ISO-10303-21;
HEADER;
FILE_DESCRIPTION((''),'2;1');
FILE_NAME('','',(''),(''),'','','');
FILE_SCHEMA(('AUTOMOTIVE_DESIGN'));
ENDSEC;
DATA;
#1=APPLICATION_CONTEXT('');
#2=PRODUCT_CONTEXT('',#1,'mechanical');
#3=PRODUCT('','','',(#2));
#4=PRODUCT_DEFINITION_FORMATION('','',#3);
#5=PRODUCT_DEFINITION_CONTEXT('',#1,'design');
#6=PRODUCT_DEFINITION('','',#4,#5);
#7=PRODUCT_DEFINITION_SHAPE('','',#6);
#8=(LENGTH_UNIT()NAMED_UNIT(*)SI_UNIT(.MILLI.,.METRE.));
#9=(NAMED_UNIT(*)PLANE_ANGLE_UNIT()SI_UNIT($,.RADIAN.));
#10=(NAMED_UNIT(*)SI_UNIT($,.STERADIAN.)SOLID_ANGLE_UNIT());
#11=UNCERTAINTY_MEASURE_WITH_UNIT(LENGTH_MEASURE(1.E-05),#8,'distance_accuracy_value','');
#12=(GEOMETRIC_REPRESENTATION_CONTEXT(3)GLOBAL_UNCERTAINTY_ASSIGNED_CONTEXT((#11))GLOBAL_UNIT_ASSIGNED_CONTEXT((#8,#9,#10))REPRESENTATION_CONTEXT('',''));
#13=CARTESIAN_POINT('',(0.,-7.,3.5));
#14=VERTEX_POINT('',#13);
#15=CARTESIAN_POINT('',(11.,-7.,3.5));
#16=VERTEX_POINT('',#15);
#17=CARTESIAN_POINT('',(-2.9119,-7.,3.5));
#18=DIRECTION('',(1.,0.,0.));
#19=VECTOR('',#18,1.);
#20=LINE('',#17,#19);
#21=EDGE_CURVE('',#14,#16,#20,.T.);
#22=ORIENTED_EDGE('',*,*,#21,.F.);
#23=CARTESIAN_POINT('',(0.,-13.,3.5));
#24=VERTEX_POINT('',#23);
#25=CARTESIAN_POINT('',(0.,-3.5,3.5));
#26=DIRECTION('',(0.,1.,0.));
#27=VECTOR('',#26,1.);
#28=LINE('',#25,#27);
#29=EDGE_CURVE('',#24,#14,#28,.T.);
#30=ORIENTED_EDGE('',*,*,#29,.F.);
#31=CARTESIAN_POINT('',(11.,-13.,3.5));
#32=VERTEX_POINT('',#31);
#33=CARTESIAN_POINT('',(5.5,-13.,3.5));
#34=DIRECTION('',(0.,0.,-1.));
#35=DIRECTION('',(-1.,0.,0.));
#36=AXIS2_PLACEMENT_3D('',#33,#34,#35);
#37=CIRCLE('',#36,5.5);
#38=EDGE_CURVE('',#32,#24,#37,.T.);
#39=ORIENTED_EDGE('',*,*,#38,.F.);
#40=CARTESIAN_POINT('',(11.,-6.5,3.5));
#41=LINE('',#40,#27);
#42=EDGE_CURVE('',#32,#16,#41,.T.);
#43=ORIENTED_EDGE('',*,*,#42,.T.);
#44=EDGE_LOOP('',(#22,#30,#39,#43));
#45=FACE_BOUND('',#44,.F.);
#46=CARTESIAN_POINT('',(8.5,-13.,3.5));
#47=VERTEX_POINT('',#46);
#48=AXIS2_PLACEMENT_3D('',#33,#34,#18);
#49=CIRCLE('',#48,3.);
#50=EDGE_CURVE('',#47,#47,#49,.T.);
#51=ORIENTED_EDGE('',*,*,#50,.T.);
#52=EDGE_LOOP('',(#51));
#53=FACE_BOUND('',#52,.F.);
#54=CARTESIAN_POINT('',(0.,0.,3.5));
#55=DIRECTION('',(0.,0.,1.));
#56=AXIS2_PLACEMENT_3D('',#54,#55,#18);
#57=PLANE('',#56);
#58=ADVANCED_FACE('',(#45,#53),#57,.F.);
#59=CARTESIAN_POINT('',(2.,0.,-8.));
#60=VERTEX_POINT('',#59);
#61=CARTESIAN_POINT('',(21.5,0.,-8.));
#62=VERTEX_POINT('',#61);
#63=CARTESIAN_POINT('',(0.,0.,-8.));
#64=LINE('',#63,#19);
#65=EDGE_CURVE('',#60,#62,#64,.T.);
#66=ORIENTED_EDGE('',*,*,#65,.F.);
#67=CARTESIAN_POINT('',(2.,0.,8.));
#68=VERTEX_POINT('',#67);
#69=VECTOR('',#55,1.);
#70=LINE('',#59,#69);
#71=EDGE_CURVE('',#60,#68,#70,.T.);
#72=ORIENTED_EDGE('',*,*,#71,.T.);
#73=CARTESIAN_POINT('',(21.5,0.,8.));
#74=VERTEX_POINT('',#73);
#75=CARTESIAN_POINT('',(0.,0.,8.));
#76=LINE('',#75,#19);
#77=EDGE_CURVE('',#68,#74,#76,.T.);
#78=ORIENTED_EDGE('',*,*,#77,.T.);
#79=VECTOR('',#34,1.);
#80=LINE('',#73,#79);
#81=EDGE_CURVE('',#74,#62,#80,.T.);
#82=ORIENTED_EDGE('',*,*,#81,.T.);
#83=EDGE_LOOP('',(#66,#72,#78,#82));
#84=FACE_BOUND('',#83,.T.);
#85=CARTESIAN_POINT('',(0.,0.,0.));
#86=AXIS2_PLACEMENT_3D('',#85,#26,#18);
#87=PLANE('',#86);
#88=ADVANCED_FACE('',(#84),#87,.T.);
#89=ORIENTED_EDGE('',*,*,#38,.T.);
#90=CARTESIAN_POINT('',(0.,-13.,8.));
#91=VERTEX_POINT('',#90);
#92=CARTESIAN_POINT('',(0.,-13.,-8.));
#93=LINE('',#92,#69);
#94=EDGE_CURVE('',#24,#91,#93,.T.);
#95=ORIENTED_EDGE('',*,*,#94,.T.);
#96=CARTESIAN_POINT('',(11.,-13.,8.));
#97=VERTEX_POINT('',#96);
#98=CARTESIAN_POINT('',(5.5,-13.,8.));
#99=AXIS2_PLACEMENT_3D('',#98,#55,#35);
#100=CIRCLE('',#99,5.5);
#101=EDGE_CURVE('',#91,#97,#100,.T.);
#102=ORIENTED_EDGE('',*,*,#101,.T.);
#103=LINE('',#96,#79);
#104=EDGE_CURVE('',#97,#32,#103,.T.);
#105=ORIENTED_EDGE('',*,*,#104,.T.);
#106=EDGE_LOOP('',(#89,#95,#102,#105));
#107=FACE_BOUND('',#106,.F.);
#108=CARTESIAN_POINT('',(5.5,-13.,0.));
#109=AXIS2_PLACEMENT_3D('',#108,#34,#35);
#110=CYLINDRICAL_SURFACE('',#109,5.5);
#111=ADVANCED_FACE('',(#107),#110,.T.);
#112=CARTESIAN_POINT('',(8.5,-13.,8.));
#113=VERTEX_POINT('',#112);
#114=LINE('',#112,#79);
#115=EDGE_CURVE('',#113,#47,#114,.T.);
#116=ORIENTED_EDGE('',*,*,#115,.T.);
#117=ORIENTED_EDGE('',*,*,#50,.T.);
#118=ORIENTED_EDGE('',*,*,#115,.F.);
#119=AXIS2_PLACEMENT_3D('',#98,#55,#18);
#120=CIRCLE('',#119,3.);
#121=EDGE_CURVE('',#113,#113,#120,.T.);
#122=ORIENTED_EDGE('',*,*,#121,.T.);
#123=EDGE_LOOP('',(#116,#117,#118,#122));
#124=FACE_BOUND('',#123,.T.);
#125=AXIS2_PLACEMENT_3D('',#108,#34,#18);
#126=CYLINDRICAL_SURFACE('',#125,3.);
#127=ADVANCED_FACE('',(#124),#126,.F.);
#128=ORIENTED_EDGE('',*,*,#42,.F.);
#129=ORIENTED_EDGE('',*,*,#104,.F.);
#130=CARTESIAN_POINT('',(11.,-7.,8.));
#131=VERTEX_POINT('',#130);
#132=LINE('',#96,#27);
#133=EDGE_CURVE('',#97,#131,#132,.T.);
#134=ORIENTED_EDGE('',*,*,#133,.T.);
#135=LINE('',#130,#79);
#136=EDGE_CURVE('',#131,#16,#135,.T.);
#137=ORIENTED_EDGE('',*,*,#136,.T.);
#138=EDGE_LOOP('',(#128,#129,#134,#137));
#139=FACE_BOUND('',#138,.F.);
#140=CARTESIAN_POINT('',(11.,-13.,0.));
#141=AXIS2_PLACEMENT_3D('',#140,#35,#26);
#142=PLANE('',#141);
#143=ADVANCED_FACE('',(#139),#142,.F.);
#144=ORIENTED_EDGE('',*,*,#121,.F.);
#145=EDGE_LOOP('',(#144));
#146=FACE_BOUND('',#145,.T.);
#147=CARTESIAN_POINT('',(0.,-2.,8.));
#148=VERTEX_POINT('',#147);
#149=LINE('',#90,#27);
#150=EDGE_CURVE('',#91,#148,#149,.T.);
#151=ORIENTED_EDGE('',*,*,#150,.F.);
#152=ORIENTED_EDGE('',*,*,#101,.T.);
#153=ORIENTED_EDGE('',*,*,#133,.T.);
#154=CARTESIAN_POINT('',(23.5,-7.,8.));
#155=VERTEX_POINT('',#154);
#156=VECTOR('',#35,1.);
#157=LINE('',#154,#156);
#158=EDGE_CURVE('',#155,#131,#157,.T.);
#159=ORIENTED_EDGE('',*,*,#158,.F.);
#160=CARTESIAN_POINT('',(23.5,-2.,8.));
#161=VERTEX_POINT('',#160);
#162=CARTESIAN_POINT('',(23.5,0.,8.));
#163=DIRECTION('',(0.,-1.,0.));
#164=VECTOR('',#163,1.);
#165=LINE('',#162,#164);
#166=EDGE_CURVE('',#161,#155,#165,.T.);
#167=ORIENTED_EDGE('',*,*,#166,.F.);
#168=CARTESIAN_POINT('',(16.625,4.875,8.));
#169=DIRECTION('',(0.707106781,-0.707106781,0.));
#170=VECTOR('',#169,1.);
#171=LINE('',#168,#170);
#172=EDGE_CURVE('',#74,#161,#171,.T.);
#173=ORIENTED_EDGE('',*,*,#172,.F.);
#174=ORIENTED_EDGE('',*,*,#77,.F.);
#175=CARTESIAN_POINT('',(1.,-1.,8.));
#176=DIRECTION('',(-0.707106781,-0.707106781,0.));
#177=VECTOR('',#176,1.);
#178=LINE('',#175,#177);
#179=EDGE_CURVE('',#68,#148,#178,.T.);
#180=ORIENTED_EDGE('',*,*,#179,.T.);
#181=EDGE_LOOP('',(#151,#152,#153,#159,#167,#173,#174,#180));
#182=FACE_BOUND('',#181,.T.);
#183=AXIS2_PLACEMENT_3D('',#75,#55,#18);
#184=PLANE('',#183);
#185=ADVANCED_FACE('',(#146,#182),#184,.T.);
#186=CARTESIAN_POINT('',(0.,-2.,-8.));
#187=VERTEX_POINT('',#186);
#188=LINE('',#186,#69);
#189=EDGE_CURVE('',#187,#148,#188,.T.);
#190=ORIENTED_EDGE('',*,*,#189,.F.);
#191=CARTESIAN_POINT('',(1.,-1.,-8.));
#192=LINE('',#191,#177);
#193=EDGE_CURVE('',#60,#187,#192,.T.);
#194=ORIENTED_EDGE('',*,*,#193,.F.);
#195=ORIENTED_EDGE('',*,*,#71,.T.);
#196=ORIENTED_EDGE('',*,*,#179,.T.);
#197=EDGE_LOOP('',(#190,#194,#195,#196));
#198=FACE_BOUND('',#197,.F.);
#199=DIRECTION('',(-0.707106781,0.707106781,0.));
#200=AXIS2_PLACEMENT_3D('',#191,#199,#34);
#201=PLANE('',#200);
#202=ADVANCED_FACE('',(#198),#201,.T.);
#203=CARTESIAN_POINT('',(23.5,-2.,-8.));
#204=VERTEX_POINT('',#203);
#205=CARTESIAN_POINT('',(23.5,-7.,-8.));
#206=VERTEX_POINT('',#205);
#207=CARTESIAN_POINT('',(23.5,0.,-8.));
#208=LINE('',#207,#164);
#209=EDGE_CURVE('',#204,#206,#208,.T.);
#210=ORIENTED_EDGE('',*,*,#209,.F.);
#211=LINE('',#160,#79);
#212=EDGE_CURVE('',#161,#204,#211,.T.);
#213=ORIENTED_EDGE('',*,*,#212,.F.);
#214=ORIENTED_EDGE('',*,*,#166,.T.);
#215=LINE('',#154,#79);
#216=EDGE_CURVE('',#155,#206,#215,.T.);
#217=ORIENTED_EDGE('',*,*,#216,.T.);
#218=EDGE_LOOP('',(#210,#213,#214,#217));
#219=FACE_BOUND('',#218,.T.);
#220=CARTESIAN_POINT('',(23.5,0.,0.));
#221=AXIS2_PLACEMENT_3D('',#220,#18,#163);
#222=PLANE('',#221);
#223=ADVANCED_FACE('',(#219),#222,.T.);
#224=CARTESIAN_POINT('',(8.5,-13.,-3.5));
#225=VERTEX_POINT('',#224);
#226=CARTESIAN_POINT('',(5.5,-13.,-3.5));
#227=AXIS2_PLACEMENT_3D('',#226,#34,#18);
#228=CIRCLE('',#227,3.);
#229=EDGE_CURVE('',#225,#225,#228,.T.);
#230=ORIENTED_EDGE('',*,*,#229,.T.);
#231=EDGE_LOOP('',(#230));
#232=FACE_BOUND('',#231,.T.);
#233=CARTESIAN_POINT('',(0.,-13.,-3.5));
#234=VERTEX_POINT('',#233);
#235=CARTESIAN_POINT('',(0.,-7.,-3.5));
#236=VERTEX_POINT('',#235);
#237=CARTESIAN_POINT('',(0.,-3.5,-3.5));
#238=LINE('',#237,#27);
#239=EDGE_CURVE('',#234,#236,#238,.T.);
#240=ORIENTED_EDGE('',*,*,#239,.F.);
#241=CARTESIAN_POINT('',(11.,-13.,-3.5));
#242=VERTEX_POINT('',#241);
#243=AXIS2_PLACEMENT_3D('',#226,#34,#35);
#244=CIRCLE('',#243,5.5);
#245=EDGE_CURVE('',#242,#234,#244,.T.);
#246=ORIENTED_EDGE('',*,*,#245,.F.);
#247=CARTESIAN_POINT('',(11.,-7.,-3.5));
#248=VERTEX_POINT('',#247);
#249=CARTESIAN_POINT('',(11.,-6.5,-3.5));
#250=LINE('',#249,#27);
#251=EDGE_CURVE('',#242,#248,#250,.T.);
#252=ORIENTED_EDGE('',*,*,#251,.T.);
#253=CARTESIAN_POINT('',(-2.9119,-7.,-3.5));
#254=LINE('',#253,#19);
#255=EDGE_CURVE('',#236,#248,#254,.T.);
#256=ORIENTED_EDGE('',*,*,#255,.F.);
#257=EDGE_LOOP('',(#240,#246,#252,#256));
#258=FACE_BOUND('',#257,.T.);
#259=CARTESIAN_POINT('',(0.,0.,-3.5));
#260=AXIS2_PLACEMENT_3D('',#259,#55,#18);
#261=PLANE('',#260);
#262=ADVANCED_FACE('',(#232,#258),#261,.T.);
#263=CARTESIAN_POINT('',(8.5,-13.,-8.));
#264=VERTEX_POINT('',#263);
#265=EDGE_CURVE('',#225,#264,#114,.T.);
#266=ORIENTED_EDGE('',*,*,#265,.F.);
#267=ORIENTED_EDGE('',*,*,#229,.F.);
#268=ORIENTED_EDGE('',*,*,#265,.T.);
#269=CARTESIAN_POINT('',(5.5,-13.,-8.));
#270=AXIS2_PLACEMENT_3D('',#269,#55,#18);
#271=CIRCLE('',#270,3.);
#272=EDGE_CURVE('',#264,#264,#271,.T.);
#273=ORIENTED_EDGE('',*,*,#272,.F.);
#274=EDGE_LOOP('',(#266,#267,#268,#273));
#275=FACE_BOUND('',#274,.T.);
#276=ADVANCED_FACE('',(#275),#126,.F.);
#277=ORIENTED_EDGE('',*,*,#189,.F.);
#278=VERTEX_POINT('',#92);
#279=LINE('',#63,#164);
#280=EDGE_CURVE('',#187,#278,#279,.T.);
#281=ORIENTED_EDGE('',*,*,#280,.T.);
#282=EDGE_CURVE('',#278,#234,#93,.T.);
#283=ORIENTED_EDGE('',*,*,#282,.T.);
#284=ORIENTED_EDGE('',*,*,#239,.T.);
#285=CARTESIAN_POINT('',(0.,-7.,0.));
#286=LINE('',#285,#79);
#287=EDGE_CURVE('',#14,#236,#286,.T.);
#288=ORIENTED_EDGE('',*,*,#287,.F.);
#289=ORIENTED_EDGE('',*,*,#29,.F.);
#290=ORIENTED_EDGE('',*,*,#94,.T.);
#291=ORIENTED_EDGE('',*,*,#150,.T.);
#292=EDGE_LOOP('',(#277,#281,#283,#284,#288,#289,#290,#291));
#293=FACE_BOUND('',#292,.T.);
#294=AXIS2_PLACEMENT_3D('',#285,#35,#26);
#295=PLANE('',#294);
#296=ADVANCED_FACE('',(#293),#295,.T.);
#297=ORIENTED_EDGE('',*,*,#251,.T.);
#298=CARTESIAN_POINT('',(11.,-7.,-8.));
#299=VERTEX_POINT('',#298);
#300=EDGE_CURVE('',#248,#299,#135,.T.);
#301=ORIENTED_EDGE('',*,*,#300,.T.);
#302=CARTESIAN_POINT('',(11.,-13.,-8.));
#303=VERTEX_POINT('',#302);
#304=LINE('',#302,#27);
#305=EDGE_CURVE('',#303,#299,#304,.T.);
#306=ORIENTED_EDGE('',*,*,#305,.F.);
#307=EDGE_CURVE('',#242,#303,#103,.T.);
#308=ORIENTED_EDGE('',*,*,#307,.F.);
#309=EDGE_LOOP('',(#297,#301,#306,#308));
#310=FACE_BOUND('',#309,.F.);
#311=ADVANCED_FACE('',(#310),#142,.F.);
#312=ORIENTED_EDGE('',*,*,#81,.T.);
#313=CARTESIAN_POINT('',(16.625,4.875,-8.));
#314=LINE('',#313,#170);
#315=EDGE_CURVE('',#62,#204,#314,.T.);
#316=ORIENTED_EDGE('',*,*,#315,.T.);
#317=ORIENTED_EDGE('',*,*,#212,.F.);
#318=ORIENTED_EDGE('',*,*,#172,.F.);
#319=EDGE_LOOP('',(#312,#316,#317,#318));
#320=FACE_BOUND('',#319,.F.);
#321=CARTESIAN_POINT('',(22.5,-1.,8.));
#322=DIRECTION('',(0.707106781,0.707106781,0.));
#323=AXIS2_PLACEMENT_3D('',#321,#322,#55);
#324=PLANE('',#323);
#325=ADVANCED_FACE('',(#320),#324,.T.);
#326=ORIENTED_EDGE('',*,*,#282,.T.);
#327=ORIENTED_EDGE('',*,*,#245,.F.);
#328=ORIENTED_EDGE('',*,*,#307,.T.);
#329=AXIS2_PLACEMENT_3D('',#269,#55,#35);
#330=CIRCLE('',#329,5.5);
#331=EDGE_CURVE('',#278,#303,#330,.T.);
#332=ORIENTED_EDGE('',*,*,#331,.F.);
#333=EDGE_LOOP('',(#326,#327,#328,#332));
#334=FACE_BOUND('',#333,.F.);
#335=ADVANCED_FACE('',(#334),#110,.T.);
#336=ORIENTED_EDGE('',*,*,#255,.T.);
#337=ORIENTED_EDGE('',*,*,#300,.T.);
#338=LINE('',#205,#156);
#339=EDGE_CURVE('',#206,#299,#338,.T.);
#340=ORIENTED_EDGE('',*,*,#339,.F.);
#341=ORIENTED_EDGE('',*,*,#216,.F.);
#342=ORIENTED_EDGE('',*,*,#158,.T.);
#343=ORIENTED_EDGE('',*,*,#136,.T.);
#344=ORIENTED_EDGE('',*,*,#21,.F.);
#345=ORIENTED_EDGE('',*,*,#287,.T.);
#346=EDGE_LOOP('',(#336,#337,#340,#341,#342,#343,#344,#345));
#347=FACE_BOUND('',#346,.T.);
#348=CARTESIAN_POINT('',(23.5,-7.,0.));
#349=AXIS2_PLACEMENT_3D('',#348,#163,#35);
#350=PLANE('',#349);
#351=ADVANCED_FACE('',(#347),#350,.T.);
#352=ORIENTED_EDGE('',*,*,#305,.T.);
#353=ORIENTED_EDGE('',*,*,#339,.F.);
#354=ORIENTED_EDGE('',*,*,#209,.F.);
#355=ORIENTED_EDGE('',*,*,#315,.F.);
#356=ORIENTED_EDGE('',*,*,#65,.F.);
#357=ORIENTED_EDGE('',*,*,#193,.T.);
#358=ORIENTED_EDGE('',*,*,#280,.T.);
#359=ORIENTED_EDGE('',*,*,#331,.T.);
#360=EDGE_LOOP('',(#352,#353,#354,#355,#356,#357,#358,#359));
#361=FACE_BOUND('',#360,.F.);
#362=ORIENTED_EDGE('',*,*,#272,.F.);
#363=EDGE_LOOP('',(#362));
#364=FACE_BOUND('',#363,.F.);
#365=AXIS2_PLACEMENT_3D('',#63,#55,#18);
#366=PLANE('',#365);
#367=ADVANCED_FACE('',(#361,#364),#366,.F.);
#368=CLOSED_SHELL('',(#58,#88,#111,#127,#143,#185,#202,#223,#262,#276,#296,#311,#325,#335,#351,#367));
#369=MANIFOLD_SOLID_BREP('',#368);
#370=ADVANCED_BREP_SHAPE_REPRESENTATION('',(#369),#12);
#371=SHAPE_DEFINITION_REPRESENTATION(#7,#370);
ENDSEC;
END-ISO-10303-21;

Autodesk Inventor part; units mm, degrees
ref_plane "YZ Plane" through (0, 0, 0) normal (1, 0, 0) x (0, 1, 0)
ref_plane "XZ Plane" through (0, 0, 0) normal (0, 1, 0) x (-1, 0, 0)
ref_plane "XY Plane" through (0, 0, 0) normal (0, 0, 1) x (1, 0, 0)
sketch "스케치1" plane through (0, 0, 0) normal (0, 0, 1) x (1, 0, 0)
  line L0 (0, 0) -> (23.5, 0)
  line L1 (23.5, 0) -> (23.5, -7)
  line L2 (23.5, -7) -> (11, -7)
  line L3 (0, -7) -> (0, 0)
  circle A0 centre (5.5, -13) radius 3
  arc A1 (0, -13) -> (11, -13) centre (5.5, -13) ccw
  line L4 (11, -13) -> (11, -7)
  line L5 (0, -13) -> (0, -7)
  dimension "d0" = 23.5
  dimension "d1" = 7
  dimension "d2" = 6
  dimension "d3" = 6
  dimension "d4" = 5.5
  dimension "d5" = 11
  dimension "d6" = 23.5
extrude "돌출1" add sketch "스케치1" along normal mid plane 16
ref_plane "작업 평면1" through (0, 0, 0) normal (0, 0, 1) x (1, 0, 0)
sketch "스케치2" plane through (0, 0, 0) normal (0, 0, 1) x (1, 0, 0)
  line L0 (-2.9119, -7) -> (15.7404, -7)
  line L1 (15.7404, -7) -> (15.7404, -20.77)
  line L2 (15.7404, -20.77) -> (-2.9119, -20.77)
  line L3 (-2.9119, -20.77) -> (-2.9119, -7)
  line L4 (0, 0) -> (23.5, 0) projected
  dimension "d9" = 7
extrude "돌출2" cut sketch "스케치2" along normal mid plane 7
chamfer "모따기1" distance 2 angle 45 2 edges at (23.5, 0, 0) (0, 0, 0)
properties part number "2번부품"
